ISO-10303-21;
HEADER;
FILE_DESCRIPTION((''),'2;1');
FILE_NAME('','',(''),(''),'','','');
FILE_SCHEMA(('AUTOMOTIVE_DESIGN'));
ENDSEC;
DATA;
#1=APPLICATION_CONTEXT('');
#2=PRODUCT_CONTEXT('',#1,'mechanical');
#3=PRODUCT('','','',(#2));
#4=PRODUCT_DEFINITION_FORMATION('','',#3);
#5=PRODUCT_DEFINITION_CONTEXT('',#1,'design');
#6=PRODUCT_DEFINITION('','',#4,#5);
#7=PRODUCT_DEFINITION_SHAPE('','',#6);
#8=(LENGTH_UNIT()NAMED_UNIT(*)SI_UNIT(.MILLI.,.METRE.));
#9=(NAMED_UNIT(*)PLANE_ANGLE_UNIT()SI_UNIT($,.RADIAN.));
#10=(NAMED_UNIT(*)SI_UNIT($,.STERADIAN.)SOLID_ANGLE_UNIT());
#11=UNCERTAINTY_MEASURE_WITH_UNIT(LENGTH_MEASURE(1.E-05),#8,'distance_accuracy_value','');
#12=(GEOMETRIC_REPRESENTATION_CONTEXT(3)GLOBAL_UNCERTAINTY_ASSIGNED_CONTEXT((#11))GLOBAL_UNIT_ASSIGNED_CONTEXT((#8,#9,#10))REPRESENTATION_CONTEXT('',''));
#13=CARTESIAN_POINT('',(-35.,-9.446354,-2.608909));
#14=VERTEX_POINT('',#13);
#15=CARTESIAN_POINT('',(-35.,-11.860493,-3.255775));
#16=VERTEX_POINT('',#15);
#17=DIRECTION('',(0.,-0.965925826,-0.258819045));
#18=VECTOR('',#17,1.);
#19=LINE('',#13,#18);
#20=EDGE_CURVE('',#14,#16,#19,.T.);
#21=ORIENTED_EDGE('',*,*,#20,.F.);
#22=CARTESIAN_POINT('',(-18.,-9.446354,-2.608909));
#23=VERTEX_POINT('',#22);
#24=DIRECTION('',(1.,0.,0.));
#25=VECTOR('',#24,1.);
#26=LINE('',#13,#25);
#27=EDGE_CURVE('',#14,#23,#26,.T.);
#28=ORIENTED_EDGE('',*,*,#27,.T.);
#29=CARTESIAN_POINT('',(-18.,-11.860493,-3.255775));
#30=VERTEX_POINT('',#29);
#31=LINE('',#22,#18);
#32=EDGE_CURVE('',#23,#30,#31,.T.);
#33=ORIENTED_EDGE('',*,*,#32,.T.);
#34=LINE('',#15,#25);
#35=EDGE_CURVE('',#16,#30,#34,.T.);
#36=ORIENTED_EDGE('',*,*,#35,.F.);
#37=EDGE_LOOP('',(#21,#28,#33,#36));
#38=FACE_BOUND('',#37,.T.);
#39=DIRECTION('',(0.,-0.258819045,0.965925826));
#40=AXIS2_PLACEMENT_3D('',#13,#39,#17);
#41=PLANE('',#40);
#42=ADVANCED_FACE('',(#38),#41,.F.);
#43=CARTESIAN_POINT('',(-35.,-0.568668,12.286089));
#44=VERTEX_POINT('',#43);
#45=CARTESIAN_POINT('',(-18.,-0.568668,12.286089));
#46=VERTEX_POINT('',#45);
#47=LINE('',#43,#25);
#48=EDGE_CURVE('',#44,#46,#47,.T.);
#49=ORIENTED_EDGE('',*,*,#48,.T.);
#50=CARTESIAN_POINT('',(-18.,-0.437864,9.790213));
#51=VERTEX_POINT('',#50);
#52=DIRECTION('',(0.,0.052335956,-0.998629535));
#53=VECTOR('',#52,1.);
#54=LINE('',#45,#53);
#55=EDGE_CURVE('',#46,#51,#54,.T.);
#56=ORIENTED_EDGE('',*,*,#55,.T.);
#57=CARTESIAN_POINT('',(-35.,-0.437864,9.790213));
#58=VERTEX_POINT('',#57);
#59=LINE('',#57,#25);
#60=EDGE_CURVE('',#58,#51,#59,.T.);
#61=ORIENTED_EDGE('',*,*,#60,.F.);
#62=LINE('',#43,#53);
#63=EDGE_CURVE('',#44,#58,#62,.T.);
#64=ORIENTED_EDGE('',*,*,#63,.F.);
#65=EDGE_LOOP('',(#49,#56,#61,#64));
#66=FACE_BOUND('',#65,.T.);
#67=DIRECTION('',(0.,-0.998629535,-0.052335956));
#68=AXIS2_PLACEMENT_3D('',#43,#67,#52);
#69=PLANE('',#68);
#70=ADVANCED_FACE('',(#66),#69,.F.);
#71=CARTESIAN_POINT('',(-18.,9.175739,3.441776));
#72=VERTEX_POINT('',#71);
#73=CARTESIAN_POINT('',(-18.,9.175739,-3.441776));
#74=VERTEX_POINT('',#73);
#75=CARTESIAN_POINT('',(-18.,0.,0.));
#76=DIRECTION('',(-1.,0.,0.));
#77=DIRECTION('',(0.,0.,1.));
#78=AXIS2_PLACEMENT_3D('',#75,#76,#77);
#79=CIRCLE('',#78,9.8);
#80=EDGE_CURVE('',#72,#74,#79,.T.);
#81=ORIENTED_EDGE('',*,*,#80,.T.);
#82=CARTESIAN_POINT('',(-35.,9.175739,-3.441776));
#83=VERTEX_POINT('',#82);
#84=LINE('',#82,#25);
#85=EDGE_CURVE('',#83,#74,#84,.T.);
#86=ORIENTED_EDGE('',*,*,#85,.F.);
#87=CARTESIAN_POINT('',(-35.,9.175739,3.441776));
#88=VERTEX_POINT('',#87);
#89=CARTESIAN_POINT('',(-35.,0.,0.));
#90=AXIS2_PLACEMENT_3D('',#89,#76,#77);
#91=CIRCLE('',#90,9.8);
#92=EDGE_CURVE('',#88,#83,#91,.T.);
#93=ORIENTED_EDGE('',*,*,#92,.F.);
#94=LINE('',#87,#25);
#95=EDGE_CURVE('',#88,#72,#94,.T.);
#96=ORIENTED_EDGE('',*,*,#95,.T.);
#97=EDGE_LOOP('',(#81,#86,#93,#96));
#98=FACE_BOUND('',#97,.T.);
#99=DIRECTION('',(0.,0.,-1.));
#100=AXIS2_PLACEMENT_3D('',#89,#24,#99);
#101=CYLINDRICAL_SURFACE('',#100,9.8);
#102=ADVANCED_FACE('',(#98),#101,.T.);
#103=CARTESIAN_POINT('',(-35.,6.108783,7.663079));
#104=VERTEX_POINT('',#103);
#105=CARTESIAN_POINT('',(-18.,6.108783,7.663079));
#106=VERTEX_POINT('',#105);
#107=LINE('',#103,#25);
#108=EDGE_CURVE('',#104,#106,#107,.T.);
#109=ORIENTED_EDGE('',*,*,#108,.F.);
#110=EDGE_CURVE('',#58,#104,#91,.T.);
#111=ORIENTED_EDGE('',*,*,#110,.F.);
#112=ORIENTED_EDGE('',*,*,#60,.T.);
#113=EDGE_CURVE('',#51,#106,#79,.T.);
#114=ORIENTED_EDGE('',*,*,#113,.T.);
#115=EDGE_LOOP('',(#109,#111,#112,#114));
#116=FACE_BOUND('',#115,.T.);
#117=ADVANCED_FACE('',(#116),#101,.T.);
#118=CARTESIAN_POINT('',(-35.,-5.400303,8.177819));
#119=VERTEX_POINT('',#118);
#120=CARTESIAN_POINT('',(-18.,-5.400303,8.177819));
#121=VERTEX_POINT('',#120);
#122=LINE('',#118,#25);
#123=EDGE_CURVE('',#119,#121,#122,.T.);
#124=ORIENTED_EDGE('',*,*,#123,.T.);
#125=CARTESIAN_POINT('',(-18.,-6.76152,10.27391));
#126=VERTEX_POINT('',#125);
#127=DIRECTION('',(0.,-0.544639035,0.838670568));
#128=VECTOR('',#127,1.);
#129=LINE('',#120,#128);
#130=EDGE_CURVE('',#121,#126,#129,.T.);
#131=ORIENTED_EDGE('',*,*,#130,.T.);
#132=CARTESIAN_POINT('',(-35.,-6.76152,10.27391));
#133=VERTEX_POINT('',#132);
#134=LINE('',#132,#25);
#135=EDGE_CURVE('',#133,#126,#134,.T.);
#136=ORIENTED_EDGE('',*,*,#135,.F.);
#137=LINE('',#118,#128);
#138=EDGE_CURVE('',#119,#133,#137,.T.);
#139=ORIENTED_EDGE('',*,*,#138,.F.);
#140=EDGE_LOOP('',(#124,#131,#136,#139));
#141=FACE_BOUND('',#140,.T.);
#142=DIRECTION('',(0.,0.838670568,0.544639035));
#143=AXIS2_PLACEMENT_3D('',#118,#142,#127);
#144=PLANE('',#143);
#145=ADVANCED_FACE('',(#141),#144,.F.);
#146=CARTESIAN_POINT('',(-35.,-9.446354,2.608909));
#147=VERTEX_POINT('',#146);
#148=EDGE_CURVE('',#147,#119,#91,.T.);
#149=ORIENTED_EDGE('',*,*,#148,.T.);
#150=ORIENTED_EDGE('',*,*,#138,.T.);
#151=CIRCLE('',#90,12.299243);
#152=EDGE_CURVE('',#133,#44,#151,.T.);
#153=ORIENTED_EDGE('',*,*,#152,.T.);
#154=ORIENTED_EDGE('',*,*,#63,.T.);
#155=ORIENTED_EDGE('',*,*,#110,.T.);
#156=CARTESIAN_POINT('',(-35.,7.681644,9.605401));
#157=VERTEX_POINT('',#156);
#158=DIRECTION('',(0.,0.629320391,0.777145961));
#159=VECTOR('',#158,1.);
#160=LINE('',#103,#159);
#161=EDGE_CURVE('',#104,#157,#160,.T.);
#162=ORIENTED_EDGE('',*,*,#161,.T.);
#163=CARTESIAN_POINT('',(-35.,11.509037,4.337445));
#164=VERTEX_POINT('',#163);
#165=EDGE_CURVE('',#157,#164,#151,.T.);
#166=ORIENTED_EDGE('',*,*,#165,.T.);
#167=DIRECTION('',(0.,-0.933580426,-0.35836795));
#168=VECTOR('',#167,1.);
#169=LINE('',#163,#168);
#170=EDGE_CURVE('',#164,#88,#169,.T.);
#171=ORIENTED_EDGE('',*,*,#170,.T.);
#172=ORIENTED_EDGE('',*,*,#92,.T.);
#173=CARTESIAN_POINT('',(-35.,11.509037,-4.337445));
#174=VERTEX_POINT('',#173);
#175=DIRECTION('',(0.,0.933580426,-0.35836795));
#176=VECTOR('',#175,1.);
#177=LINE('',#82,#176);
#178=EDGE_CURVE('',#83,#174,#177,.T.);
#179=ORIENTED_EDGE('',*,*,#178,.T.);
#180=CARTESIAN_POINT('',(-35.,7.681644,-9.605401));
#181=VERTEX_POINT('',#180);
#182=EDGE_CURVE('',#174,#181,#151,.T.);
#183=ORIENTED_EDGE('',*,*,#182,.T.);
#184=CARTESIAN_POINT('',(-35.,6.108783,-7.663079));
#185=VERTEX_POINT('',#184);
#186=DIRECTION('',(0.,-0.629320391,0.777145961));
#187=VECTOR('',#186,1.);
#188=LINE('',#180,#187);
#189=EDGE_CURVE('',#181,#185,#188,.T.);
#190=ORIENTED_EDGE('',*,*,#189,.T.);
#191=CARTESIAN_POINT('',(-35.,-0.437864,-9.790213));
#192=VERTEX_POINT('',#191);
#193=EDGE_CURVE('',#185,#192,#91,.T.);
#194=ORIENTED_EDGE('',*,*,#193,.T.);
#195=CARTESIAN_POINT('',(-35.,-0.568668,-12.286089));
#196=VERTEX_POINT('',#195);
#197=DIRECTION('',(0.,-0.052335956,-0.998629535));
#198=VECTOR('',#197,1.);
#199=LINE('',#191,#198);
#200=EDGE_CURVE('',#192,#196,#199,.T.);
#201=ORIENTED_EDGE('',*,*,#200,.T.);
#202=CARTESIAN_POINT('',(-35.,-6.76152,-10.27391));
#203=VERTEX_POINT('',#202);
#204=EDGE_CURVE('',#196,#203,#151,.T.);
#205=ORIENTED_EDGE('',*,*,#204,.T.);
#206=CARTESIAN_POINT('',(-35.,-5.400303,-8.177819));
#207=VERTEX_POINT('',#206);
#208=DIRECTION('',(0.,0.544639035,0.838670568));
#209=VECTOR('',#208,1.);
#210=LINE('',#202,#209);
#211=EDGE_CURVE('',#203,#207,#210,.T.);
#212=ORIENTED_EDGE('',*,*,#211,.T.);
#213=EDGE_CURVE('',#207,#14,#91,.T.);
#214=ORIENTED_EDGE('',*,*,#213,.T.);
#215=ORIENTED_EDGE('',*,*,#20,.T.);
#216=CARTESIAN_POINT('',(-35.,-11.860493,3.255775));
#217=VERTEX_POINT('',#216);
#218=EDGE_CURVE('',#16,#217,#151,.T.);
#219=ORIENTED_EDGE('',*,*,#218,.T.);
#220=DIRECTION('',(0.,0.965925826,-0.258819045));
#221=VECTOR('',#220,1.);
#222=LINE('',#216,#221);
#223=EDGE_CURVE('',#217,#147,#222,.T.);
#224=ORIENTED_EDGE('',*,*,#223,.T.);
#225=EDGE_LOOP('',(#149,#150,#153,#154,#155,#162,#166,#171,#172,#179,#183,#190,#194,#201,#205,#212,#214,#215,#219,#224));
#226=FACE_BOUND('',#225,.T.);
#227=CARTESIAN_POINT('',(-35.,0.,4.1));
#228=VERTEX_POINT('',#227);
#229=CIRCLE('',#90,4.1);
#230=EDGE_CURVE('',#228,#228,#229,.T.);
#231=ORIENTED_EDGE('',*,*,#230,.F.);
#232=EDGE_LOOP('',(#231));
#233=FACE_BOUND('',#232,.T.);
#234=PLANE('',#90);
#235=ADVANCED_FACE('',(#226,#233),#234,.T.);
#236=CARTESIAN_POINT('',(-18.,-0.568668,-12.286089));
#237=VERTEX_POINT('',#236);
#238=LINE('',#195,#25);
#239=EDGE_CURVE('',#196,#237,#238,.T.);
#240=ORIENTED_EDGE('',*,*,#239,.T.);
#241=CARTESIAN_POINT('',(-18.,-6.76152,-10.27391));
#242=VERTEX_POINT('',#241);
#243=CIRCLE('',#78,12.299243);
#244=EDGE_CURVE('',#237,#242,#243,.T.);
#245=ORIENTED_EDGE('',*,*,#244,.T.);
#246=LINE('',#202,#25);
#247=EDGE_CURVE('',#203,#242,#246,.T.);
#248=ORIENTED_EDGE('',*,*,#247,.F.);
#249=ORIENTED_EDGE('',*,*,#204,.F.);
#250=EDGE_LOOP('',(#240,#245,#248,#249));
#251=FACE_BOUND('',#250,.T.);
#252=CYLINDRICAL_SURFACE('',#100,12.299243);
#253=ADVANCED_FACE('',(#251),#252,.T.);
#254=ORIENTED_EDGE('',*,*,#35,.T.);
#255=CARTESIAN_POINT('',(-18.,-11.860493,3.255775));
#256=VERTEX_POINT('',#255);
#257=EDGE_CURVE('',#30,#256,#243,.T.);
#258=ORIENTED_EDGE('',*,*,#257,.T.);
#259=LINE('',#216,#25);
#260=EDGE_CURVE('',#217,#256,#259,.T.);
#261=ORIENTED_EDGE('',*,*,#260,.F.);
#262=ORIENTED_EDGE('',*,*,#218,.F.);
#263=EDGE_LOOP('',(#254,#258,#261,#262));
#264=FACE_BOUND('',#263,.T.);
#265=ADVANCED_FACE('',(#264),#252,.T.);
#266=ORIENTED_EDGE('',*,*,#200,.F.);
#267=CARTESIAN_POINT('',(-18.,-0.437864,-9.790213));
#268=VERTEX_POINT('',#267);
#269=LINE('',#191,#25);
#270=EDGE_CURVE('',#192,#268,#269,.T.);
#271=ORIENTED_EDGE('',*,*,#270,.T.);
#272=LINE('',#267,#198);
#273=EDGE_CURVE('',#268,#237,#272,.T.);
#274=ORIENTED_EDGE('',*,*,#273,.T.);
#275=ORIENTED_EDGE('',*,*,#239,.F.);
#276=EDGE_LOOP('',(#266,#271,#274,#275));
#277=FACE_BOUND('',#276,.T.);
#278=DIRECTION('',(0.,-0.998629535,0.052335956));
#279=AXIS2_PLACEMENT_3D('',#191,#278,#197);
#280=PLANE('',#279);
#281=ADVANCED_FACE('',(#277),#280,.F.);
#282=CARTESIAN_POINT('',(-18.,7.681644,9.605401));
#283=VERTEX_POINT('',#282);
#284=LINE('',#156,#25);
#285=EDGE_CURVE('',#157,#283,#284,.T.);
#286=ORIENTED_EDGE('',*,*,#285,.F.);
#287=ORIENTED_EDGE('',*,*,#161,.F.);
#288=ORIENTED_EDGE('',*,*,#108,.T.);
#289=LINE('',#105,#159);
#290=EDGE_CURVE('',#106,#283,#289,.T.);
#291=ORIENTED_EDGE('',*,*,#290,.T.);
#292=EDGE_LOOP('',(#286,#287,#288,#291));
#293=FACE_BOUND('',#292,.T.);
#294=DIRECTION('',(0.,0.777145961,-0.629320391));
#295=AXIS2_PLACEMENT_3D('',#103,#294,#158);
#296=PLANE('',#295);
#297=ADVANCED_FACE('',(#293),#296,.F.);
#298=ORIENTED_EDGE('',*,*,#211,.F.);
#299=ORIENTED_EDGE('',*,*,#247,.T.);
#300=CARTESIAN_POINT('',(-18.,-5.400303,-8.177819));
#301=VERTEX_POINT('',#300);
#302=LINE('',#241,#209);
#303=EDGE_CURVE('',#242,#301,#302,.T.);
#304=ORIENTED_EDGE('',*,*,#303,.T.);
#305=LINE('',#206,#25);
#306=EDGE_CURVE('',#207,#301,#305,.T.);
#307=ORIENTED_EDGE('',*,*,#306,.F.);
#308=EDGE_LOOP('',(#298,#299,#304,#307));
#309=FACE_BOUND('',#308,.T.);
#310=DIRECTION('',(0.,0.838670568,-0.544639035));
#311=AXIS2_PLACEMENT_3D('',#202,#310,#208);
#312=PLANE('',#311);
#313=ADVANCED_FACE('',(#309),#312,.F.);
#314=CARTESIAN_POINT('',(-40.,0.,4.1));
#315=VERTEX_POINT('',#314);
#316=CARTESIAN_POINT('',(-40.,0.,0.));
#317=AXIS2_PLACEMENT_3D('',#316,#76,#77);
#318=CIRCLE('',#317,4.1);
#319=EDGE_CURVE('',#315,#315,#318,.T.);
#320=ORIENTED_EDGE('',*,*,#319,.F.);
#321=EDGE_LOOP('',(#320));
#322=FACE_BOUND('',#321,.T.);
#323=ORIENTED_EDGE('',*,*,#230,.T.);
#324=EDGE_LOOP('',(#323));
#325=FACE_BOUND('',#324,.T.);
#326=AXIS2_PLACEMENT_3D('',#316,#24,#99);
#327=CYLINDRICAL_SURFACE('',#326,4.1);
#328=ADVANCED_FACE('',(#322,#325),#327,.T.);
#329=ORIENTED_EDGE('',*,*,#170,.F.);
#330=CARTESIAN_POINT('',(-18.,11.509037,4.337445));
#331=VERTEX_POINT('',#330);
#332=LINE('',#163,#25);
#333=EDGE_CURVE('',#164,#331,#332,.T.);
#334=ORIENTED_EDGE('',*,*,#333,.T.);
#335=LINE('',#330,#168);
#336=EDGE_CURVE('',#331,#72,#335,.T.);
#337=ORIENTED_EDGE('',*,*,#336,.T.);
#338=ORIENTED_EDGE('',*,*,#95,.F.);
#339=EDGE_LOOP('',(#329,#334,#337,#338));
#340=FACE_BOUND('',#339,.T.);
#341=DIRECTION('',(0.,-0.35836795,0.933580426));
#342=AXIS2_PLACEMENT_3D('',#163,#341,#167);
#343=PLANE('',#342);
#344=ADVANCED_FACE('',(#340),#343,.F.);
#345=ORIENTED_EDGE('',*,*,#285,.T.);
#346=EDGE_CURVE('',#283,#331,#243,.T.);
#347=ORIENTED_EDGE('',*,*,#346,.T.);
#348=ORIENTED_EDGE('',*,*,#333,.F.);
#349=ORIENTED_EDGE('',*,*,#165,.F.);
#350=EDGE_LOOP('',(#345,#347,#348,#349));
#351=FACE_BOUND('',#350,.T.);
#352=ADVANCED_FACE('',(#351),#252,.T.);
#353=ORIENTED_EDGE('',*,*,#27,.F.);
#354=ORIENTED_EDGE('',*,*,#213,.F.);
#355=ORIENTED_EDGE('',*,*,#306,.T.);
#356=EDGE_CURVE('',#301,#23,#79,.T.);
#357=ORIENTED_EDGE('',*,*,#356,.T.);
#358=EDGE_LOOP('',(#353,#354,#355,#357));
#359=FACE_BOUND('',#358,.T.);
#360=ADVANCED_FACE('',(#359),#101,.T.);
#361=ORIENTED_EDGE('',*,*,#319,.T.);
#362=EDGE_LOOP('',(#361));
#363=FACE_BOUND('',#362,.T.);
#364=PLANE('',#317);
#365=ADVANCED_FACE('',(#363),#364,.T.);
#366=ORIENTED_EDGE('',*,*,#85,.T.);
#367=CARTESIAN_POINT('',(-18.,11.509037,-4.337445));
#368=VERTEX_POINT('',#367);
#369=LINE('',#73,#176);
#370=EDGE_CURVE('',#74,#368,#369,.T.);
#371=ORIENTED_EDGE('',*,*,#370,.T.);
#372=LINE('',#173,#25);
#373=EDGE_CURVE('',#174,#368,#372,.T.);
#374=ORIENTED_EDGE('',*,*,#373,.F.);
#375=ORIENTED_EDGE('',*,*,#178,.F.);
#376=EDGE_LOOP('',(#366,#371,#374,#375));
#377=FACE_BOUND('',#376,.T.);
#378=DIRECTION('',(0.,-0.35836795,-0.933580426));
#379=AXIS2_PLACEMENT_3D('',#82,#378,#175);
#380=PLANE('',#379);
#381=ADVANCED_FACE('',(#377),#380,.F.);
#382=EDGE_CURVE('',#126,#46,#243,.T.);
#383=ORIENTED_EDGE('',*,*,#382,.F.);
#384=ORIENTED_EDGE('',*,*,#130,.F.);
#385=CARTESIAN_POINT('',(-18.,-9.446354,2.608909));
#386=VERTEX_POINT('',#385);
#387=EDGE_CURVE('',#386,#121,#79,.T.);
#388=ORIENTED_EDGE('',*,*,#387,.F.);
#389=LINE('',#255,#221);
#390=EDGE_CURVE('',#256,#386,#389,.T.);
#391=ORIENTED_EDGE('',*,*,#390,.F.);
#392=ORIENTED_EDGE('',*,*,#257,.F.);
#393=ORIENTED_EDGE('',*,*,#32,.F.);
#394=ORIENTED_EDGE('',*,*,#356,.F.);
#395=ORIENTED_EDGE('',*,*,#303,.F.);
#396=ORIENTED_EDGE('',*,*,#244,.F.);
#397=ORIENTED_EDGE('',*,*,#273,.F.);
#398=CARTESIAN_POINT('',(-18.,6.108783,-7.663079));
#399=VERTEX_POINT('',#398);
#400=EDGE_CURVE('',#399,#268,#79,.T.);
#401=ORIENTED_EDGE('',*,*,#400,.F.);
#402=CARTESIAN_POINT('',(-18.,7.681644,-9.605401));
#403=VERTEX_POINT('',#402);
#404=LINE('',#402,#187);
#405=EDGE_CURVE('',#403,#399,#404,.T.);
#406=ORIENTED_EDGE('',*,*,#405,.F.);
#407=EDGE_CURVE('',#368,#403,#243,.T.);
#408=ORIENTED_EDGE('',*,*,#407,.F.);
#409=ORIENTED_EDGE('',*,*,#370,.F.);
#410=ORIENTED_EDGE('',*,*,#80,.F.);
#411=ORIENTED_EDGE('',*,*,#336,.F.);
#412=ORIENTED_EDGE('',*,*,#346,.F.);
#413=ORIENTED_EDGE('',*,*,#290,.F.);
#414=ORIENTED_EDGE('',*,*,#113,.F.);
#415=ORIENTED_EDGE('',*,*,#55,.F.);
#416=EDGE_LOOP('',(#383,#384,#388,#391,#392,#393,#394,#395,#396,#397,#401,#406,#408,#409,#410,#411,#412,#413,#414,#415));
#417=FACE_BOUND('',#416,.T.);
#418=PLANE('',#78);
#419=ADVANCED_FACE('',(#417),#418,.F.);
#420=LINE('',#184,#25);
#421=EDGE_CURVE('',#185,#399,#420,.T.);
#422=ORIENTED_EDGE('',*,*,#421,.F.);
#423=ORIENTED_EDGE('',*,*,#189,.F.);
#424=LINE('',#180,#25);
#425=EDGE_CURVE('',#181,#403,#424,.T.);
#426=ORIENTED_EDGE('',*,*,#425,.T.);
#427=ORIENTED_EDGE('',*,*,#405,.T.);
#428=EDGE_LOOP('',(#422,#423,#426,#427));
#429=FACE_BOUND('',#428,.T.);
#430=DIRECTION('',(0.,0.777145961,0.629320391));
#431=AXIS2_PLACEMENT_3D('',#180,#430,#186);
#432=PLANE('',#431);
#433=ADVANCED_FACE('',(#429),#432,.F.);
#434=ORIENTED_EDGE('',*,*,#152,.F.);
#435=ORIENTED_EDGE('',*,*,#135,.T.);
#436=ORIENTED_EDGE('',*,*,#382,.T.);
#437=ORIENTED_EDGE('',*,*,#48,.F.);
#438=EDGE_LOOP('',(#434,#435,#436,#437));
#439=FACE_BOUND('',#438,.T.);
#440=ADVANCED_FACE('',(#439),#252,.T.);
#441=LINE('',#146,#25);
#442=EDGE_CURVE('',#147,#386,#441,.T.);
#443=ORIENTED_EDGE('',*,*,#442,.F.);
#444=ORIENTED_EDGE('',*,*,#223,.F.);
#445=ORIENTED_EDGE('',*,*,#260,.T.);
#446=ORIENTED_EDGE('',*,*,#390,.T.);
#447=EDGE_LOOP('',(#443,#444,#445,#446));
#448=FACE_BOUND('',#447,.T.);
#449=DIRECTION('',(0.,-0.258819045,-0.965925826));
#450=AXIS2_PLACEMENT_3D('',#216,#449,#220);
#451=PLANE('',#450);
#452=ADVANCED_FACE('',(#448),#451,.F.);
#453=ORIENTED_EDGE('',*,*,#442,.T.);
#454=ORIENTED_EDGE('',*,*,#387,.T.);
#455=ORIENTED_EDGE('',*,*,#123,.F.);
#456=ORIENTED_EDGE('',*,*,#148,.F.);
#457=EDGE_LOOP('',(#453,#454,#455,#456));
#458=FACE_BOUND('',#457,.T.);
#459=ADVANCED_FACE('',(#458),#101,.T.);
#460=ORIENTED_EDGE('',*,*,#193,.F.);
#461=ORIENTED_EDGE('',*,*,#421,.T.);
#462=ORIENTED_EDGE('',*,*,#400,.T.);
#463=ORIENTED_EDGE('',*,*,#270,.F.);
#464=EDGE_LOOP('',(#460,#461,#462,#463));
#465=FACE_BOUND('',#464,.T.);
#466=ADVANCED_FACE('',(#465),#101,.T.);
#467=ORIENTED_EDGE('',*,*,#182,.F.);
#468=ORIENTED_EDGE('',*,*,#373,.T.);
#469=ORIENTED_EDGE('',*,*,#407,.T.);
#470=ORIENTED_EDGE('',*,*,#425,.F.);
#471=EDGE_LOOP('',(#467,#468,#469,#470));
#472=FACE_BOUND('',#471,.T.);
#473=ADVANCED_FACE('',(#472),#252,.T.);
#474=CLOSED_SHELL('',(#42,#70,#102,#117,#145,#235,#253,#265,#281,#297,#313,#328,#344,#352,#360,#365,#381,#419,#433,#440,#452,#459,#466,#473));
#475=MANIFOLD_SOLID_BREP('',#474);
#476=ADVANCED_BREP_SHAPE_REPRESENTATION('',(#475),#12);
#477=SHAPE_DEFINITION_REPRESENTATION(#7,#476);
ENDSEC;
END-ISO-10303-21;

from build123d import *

# Parameters (mm, degrees)
KEYEDBODY_DEPTH  = 17
SKETCH2_R        = 4.1
SMALLSHAFT_DEPTH = 5


with BuildPart() as part:
    # Sketch1 → KeyedBody (new body)
    with BuildSketch(Plane.ZY.offset(18)):
        with BuildLine():
            Line((-3.441775952, 9.17573857), (-4.337445486, 11.509037479))
            ThreePointArc((-4.337445486, 11.509037479), (-7.229313618, 9.950296561), (-9.605400723, 7.681643964))
            Line((-9.605400723, 7.681643964), (-7.663078698, 6.108782601))
            ThreePointArc((-7.663078698, 6.108782601), (-9.32035386, 3.028366545), (-9.790213218, -0.437864293))
            Line((-9.790213218, -0.437864293), (-12.286089458, -0.568667624))
            ThreePointArc((-12.286089458, -0.568667624), (-11.697275149, -3.800675088), (-10.273909609, -6.76152042))
            Line((-10.273909609, -6.76152042), (-8.177819046, -5.400303292))
            ThreePointArc((-8.177819046, -5.400303292), (-5.760295472, -7.928366545), (-2.608908574, -9.446353585))
            Line((-2.608908574, -9.446353585), (-3.255775388, -11.860493399))
            ThreePointArc((-3.255775388, -11.860493399), (0, -12.299242946), (3.255775388, -11.860493399))
            Line((3.255775388, -11.860493399), (2.608908574, -9.446353585))
            ThreePointArc((2.608908574, -9.446353585), (5.760295472, -7.928366545), (8.177819046, -5.400303292))
            Line((8.177819046, -5.400303292), (10.273909609, -6.76152042))
            ThreePointArc((10.273909609, -6.76152042), (11.697275149, -3.800675088), (12.286089458, -0.568667624))
            Line((12.286089458, -0.568667624), (9.790213218, -0.437864293))
            ThreePointArc((9.790213218, -0.437864293), (9.32035386, 3.028366545), (7.663078698, 6.108782601))
            Line((7.663078698, 6.108782601), (9.605400723, 7.681643964))
            ThreePointArc((9.605400723, 7.681643964), (7.229313618, 9.950296561), (4.337445486, 11.509037479))
            Line((4.337445486, 11.509037479), (3.441775952, 9.17573857))
            ThreePointArc((3.441775952, 9.17573857), (0, 9.8), (-3.441775952, 9.17573857))
        make_face()
    extrude(amount=KEYEDBODY_DEPTH)

    # Sketch2 → SmallShaft (add)
    with BuildSketch(Plane.ZY.offset(35)):
        Circle(SKETCH2_R)
    extrude(amount=SMALLSHAFT_DEPTH)


solid = part.part
